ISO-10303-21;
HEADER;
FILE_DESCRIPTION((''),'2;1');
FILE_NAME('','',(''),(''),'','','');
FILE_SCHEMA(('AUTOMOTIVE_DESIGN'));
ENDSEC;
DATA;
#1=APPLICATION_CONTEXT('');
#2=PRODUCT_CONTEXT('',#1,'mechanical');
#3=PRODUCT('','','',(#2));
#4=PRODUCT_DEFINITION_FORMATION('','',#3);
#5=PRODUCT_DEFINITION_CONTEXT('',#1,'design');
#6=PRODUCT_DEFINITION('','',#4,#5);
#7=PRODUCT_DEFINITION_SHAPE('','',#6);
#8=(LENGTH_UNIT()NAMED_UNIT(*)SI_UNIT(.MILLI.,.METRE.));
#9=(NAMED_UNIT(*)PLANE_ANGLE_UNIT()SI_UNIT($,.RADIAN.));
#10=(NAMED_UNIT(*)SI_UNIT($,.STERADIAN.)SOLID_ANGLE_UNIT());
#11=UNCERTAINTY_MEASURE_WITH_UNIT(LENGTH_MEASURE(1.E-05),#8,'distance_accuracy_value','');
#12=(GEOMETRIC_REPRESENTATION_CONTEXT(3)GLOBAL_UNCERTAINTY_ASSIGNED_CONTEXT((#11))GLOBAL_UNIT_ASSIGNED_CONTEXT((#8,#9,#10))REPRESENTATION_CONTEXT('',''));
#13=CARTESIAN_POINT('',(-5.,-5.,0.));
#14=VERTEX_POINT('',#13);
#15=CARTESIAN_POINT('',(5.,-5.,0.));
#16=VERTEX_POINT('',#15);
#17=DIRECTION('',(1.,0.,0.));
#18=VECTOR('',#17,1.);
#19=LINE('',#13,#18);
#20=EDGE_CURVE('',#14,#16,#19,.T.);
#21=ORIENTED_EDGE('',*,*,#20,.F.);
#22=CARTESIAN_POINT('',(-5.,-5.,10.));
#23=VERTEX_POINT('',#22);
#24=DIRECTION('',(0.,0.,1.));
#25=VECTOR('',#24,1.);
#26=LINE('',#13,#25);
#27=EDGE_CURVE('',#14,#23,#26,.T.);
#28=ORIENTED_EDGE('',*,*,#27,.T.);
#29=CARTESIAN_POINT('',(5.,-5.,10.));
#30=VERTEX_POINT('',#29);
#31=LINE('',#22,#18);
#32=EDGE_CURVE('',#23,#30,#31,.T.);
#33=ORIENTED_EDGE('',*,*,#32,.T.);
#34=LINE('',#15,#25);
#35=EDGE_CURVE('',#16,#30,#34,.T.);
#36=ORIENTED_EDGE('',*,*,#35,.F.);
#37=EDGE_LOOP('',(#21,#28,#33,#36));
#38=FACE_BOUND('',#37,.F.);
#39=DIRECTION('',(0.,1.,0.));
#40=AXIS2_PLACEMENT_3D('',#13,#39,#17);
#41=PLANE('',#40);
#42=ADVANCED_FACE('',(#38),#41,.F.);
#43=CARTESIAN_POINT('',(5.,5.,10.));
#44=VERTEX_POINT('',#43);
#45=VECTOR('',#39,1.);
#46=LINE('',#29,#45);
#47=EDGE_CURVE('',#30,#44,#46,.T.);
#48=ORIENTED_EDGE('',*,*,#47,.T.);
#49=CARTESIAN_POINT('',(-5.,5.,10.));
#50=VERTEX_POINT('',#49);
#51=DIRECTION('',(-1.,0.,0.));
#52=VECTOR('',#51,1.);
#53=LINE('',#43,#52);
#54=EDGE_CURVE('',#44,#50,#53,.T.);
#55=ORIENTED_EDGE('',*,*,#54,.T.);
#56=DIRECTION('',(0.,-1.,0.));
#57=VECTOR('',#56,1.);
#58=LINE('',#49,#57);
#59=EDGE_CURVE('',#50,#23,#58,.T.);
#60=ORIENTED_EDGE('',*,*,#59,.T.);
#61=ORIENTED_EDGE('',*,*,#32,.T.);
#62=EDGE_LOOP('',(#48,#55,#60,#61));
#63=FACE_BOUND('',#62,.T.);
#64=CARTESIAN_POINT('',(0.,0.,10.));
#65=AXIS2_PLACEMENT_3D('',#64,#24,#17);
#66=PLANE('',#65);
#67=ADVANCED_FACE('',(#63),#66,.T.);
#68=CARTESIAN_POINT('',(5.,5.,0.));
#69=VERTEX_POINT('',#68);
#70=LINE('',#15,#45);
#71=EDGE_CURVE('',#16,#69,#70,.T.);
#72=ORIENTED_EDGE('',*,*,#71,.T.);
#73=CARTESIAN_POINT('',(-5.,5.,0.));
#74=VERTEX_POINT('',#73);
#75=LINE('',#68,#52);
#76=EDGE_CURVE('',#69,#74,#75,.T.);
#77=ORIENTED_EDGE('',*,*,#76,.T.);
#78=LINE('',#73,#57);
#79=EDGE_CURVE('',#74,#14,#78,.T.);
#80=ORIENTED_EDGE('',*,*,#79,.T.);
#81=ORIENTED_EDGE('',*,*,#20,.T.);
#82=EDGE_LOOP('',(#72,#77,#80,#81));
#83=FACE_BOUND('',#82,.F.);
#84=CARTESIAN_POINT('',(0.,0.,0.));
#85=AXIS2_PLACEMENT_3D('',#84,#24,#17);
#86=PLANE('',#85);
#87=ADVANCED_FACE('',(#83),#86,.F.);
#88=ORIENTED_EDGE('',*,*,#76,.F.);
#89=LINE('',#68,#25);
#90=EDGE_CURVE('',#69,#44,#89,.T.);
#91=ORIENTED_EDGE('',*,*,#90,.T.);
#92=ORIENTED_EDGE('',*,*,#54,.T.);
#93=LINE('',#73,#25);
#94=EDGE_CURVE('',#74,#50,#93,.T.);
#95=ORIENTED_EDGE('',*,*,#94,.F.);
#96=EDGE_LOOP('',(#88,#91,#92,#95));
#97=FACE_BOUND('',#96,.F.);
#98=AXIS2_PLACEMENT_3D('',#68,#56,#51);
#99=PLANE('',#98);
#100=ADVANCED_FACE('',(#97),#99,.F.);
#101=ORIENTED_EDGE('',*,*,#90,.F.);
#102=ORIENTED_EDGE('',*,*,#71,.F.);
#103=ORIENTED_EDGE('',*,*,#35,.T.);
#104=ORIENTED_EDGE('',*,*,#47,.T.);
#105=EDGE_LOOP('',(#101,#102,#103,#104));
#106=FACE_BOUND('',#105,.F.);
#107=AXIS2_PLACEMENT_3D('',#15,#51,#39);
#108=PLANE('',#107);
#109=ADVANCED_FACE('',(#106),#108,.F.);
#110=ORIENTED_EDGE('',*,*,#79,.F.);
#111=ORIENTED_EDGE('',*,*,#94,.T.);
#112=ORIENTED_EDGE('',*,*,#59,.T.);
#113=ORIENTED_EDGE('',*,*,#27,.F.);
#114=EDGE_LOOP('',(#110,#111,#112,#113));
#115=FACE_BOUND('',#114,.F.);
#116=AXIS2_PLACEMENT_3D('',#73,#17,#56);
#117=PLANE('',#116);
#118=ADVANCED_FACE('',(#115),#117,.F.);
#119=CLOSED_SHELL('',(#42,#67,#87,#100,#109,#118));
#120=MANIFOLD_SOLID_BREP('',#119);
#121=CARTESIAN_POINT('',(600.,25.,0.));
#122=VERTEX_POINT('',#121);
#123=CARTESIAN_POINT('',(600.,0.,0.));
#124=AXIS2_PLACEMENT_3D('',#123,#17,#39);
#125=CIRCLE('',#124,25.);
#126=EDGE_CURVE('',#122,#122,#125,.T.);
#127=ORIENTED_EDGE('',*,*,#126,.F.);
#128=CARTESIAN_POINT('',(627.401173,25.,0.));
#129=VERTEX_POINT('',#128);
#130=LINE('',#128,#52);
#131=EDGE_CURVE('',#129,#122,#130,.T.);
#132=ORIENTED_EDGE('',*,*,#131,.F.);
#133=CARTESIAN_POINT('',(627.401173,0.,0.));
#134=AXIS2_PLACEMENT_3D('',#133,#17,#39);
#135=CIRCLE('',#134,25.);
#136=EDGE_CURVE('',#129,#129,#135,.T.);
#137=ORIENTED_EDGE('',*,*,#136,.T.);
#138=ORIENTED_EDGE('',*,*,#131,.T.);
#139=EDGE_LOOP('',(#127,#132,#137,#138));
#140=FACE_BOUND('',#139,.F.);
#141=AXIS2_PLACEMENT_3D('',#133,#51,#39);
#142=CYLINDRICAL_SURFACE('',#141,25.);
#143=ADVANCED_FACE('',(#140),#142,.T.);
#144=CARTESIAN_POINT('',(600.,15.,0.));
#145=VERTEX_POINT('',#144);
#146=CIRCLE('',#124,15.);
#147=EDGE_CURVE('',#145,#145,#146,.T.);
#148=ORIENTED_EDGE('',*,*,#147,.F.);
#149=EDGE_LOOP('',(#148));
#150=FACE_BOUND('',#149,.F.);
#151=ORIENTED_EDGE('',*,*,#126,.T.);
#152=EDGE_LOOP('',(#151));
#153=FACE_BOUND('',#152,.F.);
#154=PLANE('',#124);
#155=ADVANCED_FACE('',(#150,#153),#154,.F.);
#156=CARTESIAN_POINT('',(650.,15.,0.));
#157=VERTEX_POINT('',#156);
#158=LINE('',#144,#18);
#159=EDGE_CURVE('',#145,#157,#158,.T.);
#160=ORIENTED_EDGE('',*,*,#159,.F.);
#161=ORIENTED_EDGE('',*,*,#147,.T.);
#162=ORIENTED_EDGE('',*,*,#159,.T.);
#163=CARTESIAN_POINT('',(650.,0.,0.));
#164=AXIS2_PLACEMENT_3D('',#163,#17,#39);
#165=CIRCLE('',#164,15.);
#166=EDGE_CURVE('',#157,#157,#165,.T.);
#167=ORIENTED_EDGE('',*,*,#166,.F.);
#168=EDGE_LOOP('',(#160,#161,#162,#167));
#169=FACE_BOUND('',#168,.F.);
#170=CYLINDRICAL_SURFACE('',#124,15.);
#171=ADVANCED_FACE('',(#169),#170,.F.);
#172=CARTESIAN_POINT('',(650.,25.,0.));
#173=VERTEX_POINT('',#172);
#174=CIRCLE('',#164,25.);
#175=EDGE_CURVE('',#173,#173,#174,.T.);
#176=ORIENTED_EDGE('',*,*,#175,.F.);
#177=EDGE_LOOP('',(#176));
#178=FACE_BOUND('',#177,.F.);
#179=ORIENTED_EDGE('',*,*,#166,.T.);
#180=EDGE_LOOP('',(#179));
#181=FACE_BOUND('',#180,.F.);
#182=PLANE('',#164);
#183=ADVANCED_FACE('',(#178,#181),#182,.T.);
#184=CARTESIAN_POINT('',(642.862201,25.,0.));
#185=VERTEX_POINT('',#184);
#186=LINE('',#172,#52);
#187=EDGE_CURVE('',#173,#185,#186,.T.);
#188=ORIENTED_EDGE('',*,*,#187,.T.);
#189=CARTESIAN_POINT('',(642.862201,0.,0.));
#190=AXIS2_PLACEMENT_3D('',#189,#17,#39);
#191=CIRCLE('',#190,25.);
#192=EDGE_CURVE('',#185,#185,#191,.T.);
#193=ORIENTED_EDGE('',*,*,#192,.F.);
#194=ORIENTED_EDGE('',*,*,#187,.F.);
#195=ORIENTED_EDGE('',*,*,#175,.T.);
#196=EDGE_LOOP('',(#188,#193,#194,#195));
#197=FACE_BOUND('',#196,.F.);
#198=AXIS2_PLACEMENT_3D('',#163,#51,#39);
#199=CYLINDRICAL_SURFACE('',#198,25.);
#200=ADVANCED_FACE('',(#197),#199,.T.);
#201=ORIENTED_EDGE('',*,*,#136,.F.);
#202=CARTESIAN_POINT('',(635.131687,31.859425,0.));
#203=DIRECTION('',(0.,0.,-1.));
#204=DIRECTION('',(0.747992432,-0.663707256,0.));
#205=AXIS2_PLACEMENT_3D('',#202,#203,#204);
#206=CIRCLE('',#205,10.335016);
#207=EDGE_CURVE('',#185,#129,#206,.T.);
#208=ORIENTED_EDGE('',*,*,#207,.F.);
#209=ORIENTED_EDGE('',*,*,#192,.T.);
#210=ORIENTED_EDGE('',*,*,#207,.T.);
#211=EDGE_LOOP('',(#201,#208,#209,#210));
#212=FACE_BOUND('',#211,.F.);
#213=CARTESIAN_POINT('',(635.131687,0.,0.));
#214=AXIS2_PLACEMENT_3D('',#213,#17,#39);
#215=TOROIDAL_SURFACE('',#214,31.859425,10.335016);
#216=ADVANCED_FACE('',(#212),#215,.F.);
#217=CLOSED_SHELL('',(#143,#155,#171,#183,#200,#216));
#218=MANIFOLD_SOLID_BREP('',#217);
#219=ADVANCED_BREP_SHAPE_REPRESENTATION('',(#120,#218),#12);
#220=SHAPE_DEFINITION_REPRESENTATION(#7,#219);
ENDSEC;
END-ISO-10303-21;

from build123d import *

# Parameters (mm, degrees)
F1_DEPTH = 10


with BuildPart() as f1:
    # F0 (on Top) → F1 (new body)
    with BuildSketch(Plane.XY):
        Polygon((-5, -5), (5, -5), (5, 0), (5, 5), (-5, 5), align=None)
    extrude(amount=F1_DEPTH)


with BuildPart() as f2:
    # F0 (on Top) → F2 (revolve)
    with BuildSketch(Plane.XY):
        with BuildLine():
            Line((600, 25), (600, 15))
            Line((600, 15), (650, 15))
            Line((650, 15), (650, 25))
            Line((650, 25), (642.862201, 25))
            ThreePointArc((642.862201, 25), (635.131687, 21.524409), (627.401173, 25))
            Line((627.401173, 25), (600, 25))
        make_face()
    revolve(axis=Axis((625, 0, 0), (1, 0, 0)))


solid = Compound([f1.part, f2.part])
